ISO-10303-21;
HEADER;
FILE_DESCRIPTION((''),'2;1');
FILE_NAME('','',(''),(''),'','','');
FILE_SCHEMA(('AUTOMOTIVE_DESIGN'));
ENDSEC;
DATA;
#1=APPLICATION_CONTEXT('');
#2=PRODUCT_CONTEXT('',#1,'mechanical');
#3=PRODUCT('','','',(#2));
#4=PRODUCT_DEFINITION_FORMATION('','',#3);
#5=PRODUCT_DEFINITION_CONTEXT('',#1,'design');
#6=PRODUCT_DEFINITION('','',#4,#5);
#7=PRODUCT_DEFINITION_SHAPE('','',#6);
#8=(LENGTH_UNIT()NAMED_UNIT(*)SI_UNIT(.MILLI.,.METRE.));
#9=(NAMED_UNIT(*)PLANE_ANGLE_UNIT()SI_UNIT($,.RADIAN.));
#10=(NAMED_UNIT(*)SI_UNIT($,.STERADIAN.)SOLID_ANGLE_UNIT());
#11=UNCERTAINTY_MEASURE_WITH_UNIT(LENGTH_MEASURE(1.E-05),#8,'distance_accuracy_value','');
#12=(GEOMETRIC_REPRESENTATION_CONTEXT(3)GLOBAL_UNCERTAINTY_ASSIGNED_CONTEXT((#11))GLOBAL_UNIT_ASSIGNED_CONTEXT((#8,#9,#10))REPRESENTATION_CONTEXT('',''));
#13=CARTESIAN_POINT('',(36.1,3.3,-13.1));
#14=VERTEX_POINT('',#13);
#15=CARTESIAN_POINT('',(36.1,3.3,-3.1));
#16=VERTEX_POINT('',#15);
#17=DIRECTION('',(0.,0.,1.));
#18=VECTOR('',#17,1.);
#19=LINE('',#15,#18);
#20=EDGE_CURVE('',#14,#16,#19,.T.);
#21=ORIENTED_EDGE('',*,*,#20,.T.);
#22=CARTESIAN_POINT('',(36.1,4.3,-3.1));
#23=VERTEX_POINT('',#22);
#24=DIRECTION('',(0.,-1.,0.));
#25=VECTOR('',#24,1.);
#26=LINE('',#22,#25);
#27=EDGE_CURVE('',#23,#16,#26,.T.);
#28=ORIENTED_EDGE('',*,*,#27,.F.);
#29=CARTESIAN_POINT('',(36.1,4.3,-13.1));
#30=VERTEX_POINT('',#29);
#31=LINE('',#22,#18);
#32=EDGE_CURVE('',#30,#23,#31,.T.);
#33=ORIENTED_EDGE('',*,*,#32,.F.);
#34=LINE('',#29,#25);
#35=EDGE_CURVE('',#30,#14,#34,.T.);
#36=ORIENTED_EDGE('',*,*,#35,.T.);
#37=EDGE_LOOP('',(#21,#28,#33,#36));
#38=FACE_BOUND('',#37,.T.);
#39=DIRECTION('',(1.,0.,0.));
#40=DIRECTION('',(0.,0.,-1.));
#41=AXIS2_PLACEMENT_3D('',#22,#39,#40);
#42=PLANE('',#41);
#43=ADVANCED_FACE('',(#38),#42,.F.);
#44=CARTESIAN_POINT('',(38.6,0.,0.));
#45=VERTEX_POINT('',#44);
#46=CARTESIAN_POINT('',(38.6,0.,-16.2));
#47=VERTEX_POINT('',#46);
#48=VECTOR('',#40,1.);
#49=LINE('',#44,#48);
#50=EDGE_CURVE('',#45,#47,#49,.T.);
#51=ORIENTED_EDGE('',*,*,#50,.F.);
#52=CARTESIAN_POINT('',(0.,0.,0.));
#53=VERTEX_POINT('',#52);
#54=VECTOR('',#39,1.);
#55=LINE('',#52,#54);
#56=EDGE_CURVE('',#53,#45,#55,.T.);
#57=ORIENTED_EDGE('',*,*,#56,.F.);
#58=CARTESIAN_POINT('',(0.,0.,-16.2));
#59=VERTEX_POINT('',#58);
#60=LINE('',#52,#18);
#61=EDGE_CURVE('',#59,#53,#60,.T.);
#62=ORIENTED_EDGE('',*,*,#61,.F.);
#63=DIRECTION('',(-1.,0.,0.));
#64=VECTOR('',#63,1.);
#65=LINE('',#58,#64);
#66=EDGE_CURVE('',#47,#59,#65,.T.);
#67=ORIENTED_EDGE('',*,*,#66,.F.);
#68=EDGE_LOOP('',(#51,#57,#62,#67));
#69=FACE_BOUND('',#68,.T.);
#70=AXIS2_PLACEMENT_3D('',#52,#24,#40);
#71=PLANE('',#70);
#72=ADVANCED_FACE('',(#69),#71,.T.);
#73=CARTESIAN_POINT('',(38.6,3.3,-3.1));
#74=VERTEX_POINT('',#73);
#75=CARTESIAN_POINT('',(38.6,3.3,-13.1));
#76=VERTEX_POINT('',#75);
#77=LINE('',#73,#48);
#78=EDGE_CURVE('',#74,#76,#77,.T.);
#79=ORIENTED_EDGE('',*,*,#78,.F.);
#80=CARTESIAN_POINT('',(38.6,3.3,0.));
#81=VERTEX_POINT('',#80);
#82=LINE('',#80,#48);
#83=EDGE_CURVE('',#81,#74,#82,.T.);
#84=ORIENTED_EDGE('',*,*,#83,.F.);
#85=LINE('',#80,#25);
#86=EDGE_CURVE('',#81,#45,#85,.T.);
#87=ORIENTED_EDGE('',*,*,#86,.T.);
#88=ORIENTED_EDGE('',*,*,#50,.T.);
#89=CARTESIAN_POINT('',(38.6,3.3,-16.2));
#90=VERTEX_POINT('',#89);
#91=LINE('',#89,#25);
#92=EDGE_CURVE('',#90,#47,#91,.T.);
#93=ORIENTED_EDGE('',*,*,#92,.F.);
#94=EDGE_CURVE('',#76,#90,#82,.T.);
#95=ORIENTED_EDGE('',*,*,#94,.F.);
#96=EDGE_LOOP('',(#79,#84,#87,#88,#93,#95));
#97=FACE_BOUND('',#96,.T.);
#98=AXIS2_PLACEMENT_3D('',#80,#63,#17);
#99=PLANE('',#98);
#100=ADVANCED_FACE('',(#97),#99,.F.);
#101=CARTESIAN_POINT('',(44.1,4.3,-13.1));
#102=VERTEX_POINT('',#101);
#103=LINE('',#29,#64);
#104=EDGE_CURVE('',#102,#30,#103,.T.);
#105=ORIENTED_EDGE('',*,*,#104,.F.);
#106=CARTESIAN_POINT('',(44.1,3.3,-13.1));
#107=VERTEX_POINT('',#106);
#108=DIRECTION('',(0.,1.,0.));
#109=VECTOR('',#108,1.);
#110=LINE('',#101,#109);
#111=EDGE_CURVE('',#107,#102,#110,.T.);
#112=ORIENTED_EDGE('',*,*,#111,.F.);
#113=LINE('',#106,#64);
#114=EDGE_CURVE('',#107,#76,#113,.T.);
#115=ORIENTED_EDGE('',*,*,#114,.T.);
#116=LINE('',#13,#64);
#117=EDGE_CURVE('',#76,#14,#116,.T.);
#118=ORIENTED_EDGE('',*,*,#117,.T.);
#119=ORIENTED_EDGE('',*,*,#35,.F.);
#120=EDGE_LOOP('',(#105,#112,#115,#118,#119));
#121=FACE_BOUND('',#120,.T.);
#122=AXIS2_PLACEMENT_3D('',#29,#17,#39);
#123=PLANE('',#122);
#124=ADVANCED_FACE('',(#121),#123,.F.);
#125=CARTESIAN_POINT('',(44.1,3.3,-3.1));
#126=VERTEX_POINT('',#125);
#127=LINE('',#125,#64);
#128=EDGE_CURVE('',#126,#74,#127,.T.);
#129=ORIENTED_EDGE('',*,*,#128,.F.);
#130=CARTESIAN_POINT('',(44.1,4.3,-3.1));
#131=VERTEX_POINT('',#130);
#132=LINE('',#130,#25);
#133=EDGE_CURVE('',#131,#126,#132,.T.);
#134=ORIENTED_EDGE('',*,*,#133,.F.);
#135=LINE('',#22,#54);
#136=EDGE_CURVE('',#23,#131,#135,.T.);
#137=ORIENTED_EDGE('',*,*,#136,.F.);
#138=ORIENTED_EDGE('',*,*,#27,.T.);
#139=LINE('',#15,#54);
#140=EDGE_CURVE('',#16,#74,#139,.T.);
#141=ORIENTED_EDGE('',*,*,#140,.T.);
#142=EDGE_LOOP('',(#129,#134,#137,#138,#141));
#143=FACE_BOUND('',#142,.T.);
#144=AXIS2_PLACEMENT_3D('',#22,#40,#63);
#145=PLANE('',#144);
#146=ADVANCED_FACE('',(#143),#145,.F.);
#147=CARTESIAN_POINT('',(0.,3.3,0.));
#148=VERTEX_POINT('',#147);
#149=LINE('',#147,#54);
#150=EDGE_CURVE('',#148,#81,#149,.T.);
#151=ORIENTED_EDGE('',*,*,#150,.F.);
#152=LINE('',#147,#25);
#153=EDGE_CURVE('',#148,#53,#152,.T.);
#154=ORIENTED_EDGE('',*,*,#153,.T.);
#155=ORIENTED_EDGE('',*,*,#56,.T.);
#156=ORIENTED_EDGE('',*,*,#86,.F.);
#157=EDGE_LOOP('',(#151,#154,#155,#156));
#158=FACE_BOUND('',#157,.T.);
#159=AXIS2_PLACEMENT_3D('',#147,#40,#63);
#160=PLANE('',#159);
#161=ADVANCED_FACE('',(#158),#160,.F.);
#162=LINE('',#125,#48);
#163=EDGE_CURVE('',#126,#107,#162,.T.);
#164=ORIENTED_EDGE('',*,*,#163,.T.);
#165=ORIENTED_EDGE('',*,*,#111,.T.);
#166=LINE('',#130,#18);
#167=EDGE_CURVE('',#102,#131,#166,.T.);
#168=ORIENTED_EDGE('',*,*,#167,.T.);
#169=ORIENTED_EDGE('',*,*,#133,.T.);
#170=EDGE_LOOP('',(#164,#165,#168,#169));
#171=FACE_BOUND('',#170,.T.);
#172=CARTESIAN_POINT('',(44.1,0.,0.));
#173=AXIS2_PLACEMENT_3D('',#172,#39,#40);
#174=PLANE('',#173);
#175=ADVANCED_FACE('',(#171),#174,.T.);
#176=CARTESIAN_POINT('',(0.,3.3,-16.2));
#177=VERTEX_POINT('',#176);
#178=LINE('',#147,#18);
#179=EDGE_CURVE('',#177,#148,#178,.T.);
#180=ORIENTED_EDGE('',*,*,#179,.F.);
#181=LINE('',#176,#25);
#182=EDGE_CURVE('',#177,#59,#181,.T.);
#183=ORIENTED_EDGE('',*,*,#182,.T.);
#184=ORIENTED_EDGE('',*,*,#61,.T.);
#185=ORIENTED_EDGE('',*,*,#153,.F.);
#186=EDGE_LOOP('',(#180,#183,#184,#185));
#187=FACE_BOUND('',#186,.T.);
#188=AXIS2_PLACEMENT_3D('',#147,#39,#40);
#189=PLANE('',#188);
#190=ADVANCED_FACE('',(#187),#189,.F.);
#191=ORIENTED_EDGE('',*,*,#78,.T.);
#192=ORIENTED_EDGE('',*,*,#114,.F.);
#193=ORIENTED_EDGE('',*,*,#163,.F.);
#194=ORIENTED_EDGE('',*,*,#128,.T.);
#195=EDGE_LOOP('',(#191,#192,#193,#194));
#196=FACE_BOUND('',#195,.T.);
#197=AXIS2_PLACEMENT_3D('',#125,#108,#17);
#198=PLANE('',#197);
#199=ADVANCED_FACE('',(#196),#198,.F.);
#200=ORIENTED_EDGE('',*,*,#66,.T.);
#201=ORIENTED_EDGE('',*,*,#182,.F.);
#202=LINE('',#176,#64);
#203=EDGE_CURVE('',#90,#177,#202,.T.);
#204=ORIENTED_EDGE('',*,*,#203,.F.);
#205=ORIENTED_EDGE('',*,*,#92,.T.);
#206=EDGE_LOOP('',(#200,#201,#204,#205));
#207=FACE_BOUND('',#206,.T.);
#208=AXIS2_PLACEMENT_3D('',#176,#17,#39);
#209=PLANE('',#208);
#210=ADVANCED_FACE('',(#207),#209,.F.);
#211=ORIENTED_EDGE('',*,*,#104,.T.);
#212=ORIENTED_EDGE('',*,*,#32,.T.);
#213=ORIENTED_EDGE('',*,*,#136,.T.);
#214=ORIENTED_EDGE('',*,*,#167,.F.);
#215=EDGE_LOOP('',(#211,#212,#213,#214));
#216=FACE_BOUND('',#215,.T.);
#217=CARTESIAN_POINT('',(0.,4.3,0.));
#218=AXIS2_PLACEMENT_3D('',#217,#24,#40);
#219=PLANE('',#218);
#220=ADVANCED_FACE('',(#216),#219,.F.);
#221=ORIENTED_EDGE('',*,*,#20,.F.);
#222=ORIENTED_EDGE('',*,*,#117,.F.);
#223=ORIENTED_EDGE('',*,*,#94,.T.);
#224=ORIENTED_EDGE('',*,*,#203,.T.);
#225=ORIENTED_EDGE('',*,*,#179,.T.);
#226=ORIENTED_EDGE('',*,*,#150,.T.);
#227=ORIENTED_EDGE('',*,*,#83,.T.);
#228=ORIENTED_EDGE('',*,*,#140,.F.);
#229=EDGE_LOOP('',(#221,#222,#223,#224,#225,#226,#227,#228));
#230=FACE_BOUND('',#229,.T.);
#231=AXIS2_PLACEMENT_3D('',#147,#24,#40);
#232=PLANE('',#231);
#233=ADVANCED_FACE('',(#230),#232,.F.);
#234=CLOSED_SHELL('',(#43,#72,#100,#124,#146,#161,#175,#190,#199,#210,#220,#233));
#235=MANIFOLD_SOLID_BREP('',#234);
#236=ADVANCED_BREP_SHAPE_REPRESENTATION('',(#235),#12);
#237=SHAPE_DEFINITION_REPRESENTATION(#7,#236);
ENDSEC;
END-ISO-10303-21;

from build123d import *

# Parameters (mm, degrees)
SKETCH_1_W      = 38.6
SKETCH_1_H      = 16.2
EXTRUDE_1_DEPTH = 3.3
SKETCH_2_W      = 2.5
SKETCH_2_H      = 10
EXTRUDE_2_DEPTH = 1
SKETCH_3_W      = 10
SKETCH_3_H      = 1
EXTRUDE_3_DEPTH = 5.5


with BuildPart() as part:
    # 草图1 → 凸台-拉伸1 (new body)
    with BuildSketch(Plane(origin=(0, 0, 0), x_dir=(1, 0, 0), z_dir=(0, 1, 0))):
        with Locations((19.3, 8.1)):
            Rectangle(SKETCH_1_W, SKETCH_1_H)
    extrude(amount=EXTRUDE_1_DEPTH)

    # 草图2 → 凸台-拉伸2 (add)
    with BuildSketch(Plane(origin=(0, 3.3, 0), x_dir=(1, 0, 0), z_dir=(0, 1, 0))):
        with Locations((37.35, 8.1)):
            Rectangle(SKETCH_2_W, SKETCH_2_H)
    extrude(amount=EXTRUDE_2_DEPTH)

    # 草图3 → 凸台-拉伸3 (add)
    with BuildSketch(Plane(origin=(38.6, 0, 0), x_dir=(0, 0, -1), z_dir=(1, 0, 0))):
        with Locations((8.1, 3.8)):
            Rectangle(SKETCH_3_W, SKETCH_3_H)
    extrude(amount=EXTRUDE_3_DEPTH)


solid = part.part
